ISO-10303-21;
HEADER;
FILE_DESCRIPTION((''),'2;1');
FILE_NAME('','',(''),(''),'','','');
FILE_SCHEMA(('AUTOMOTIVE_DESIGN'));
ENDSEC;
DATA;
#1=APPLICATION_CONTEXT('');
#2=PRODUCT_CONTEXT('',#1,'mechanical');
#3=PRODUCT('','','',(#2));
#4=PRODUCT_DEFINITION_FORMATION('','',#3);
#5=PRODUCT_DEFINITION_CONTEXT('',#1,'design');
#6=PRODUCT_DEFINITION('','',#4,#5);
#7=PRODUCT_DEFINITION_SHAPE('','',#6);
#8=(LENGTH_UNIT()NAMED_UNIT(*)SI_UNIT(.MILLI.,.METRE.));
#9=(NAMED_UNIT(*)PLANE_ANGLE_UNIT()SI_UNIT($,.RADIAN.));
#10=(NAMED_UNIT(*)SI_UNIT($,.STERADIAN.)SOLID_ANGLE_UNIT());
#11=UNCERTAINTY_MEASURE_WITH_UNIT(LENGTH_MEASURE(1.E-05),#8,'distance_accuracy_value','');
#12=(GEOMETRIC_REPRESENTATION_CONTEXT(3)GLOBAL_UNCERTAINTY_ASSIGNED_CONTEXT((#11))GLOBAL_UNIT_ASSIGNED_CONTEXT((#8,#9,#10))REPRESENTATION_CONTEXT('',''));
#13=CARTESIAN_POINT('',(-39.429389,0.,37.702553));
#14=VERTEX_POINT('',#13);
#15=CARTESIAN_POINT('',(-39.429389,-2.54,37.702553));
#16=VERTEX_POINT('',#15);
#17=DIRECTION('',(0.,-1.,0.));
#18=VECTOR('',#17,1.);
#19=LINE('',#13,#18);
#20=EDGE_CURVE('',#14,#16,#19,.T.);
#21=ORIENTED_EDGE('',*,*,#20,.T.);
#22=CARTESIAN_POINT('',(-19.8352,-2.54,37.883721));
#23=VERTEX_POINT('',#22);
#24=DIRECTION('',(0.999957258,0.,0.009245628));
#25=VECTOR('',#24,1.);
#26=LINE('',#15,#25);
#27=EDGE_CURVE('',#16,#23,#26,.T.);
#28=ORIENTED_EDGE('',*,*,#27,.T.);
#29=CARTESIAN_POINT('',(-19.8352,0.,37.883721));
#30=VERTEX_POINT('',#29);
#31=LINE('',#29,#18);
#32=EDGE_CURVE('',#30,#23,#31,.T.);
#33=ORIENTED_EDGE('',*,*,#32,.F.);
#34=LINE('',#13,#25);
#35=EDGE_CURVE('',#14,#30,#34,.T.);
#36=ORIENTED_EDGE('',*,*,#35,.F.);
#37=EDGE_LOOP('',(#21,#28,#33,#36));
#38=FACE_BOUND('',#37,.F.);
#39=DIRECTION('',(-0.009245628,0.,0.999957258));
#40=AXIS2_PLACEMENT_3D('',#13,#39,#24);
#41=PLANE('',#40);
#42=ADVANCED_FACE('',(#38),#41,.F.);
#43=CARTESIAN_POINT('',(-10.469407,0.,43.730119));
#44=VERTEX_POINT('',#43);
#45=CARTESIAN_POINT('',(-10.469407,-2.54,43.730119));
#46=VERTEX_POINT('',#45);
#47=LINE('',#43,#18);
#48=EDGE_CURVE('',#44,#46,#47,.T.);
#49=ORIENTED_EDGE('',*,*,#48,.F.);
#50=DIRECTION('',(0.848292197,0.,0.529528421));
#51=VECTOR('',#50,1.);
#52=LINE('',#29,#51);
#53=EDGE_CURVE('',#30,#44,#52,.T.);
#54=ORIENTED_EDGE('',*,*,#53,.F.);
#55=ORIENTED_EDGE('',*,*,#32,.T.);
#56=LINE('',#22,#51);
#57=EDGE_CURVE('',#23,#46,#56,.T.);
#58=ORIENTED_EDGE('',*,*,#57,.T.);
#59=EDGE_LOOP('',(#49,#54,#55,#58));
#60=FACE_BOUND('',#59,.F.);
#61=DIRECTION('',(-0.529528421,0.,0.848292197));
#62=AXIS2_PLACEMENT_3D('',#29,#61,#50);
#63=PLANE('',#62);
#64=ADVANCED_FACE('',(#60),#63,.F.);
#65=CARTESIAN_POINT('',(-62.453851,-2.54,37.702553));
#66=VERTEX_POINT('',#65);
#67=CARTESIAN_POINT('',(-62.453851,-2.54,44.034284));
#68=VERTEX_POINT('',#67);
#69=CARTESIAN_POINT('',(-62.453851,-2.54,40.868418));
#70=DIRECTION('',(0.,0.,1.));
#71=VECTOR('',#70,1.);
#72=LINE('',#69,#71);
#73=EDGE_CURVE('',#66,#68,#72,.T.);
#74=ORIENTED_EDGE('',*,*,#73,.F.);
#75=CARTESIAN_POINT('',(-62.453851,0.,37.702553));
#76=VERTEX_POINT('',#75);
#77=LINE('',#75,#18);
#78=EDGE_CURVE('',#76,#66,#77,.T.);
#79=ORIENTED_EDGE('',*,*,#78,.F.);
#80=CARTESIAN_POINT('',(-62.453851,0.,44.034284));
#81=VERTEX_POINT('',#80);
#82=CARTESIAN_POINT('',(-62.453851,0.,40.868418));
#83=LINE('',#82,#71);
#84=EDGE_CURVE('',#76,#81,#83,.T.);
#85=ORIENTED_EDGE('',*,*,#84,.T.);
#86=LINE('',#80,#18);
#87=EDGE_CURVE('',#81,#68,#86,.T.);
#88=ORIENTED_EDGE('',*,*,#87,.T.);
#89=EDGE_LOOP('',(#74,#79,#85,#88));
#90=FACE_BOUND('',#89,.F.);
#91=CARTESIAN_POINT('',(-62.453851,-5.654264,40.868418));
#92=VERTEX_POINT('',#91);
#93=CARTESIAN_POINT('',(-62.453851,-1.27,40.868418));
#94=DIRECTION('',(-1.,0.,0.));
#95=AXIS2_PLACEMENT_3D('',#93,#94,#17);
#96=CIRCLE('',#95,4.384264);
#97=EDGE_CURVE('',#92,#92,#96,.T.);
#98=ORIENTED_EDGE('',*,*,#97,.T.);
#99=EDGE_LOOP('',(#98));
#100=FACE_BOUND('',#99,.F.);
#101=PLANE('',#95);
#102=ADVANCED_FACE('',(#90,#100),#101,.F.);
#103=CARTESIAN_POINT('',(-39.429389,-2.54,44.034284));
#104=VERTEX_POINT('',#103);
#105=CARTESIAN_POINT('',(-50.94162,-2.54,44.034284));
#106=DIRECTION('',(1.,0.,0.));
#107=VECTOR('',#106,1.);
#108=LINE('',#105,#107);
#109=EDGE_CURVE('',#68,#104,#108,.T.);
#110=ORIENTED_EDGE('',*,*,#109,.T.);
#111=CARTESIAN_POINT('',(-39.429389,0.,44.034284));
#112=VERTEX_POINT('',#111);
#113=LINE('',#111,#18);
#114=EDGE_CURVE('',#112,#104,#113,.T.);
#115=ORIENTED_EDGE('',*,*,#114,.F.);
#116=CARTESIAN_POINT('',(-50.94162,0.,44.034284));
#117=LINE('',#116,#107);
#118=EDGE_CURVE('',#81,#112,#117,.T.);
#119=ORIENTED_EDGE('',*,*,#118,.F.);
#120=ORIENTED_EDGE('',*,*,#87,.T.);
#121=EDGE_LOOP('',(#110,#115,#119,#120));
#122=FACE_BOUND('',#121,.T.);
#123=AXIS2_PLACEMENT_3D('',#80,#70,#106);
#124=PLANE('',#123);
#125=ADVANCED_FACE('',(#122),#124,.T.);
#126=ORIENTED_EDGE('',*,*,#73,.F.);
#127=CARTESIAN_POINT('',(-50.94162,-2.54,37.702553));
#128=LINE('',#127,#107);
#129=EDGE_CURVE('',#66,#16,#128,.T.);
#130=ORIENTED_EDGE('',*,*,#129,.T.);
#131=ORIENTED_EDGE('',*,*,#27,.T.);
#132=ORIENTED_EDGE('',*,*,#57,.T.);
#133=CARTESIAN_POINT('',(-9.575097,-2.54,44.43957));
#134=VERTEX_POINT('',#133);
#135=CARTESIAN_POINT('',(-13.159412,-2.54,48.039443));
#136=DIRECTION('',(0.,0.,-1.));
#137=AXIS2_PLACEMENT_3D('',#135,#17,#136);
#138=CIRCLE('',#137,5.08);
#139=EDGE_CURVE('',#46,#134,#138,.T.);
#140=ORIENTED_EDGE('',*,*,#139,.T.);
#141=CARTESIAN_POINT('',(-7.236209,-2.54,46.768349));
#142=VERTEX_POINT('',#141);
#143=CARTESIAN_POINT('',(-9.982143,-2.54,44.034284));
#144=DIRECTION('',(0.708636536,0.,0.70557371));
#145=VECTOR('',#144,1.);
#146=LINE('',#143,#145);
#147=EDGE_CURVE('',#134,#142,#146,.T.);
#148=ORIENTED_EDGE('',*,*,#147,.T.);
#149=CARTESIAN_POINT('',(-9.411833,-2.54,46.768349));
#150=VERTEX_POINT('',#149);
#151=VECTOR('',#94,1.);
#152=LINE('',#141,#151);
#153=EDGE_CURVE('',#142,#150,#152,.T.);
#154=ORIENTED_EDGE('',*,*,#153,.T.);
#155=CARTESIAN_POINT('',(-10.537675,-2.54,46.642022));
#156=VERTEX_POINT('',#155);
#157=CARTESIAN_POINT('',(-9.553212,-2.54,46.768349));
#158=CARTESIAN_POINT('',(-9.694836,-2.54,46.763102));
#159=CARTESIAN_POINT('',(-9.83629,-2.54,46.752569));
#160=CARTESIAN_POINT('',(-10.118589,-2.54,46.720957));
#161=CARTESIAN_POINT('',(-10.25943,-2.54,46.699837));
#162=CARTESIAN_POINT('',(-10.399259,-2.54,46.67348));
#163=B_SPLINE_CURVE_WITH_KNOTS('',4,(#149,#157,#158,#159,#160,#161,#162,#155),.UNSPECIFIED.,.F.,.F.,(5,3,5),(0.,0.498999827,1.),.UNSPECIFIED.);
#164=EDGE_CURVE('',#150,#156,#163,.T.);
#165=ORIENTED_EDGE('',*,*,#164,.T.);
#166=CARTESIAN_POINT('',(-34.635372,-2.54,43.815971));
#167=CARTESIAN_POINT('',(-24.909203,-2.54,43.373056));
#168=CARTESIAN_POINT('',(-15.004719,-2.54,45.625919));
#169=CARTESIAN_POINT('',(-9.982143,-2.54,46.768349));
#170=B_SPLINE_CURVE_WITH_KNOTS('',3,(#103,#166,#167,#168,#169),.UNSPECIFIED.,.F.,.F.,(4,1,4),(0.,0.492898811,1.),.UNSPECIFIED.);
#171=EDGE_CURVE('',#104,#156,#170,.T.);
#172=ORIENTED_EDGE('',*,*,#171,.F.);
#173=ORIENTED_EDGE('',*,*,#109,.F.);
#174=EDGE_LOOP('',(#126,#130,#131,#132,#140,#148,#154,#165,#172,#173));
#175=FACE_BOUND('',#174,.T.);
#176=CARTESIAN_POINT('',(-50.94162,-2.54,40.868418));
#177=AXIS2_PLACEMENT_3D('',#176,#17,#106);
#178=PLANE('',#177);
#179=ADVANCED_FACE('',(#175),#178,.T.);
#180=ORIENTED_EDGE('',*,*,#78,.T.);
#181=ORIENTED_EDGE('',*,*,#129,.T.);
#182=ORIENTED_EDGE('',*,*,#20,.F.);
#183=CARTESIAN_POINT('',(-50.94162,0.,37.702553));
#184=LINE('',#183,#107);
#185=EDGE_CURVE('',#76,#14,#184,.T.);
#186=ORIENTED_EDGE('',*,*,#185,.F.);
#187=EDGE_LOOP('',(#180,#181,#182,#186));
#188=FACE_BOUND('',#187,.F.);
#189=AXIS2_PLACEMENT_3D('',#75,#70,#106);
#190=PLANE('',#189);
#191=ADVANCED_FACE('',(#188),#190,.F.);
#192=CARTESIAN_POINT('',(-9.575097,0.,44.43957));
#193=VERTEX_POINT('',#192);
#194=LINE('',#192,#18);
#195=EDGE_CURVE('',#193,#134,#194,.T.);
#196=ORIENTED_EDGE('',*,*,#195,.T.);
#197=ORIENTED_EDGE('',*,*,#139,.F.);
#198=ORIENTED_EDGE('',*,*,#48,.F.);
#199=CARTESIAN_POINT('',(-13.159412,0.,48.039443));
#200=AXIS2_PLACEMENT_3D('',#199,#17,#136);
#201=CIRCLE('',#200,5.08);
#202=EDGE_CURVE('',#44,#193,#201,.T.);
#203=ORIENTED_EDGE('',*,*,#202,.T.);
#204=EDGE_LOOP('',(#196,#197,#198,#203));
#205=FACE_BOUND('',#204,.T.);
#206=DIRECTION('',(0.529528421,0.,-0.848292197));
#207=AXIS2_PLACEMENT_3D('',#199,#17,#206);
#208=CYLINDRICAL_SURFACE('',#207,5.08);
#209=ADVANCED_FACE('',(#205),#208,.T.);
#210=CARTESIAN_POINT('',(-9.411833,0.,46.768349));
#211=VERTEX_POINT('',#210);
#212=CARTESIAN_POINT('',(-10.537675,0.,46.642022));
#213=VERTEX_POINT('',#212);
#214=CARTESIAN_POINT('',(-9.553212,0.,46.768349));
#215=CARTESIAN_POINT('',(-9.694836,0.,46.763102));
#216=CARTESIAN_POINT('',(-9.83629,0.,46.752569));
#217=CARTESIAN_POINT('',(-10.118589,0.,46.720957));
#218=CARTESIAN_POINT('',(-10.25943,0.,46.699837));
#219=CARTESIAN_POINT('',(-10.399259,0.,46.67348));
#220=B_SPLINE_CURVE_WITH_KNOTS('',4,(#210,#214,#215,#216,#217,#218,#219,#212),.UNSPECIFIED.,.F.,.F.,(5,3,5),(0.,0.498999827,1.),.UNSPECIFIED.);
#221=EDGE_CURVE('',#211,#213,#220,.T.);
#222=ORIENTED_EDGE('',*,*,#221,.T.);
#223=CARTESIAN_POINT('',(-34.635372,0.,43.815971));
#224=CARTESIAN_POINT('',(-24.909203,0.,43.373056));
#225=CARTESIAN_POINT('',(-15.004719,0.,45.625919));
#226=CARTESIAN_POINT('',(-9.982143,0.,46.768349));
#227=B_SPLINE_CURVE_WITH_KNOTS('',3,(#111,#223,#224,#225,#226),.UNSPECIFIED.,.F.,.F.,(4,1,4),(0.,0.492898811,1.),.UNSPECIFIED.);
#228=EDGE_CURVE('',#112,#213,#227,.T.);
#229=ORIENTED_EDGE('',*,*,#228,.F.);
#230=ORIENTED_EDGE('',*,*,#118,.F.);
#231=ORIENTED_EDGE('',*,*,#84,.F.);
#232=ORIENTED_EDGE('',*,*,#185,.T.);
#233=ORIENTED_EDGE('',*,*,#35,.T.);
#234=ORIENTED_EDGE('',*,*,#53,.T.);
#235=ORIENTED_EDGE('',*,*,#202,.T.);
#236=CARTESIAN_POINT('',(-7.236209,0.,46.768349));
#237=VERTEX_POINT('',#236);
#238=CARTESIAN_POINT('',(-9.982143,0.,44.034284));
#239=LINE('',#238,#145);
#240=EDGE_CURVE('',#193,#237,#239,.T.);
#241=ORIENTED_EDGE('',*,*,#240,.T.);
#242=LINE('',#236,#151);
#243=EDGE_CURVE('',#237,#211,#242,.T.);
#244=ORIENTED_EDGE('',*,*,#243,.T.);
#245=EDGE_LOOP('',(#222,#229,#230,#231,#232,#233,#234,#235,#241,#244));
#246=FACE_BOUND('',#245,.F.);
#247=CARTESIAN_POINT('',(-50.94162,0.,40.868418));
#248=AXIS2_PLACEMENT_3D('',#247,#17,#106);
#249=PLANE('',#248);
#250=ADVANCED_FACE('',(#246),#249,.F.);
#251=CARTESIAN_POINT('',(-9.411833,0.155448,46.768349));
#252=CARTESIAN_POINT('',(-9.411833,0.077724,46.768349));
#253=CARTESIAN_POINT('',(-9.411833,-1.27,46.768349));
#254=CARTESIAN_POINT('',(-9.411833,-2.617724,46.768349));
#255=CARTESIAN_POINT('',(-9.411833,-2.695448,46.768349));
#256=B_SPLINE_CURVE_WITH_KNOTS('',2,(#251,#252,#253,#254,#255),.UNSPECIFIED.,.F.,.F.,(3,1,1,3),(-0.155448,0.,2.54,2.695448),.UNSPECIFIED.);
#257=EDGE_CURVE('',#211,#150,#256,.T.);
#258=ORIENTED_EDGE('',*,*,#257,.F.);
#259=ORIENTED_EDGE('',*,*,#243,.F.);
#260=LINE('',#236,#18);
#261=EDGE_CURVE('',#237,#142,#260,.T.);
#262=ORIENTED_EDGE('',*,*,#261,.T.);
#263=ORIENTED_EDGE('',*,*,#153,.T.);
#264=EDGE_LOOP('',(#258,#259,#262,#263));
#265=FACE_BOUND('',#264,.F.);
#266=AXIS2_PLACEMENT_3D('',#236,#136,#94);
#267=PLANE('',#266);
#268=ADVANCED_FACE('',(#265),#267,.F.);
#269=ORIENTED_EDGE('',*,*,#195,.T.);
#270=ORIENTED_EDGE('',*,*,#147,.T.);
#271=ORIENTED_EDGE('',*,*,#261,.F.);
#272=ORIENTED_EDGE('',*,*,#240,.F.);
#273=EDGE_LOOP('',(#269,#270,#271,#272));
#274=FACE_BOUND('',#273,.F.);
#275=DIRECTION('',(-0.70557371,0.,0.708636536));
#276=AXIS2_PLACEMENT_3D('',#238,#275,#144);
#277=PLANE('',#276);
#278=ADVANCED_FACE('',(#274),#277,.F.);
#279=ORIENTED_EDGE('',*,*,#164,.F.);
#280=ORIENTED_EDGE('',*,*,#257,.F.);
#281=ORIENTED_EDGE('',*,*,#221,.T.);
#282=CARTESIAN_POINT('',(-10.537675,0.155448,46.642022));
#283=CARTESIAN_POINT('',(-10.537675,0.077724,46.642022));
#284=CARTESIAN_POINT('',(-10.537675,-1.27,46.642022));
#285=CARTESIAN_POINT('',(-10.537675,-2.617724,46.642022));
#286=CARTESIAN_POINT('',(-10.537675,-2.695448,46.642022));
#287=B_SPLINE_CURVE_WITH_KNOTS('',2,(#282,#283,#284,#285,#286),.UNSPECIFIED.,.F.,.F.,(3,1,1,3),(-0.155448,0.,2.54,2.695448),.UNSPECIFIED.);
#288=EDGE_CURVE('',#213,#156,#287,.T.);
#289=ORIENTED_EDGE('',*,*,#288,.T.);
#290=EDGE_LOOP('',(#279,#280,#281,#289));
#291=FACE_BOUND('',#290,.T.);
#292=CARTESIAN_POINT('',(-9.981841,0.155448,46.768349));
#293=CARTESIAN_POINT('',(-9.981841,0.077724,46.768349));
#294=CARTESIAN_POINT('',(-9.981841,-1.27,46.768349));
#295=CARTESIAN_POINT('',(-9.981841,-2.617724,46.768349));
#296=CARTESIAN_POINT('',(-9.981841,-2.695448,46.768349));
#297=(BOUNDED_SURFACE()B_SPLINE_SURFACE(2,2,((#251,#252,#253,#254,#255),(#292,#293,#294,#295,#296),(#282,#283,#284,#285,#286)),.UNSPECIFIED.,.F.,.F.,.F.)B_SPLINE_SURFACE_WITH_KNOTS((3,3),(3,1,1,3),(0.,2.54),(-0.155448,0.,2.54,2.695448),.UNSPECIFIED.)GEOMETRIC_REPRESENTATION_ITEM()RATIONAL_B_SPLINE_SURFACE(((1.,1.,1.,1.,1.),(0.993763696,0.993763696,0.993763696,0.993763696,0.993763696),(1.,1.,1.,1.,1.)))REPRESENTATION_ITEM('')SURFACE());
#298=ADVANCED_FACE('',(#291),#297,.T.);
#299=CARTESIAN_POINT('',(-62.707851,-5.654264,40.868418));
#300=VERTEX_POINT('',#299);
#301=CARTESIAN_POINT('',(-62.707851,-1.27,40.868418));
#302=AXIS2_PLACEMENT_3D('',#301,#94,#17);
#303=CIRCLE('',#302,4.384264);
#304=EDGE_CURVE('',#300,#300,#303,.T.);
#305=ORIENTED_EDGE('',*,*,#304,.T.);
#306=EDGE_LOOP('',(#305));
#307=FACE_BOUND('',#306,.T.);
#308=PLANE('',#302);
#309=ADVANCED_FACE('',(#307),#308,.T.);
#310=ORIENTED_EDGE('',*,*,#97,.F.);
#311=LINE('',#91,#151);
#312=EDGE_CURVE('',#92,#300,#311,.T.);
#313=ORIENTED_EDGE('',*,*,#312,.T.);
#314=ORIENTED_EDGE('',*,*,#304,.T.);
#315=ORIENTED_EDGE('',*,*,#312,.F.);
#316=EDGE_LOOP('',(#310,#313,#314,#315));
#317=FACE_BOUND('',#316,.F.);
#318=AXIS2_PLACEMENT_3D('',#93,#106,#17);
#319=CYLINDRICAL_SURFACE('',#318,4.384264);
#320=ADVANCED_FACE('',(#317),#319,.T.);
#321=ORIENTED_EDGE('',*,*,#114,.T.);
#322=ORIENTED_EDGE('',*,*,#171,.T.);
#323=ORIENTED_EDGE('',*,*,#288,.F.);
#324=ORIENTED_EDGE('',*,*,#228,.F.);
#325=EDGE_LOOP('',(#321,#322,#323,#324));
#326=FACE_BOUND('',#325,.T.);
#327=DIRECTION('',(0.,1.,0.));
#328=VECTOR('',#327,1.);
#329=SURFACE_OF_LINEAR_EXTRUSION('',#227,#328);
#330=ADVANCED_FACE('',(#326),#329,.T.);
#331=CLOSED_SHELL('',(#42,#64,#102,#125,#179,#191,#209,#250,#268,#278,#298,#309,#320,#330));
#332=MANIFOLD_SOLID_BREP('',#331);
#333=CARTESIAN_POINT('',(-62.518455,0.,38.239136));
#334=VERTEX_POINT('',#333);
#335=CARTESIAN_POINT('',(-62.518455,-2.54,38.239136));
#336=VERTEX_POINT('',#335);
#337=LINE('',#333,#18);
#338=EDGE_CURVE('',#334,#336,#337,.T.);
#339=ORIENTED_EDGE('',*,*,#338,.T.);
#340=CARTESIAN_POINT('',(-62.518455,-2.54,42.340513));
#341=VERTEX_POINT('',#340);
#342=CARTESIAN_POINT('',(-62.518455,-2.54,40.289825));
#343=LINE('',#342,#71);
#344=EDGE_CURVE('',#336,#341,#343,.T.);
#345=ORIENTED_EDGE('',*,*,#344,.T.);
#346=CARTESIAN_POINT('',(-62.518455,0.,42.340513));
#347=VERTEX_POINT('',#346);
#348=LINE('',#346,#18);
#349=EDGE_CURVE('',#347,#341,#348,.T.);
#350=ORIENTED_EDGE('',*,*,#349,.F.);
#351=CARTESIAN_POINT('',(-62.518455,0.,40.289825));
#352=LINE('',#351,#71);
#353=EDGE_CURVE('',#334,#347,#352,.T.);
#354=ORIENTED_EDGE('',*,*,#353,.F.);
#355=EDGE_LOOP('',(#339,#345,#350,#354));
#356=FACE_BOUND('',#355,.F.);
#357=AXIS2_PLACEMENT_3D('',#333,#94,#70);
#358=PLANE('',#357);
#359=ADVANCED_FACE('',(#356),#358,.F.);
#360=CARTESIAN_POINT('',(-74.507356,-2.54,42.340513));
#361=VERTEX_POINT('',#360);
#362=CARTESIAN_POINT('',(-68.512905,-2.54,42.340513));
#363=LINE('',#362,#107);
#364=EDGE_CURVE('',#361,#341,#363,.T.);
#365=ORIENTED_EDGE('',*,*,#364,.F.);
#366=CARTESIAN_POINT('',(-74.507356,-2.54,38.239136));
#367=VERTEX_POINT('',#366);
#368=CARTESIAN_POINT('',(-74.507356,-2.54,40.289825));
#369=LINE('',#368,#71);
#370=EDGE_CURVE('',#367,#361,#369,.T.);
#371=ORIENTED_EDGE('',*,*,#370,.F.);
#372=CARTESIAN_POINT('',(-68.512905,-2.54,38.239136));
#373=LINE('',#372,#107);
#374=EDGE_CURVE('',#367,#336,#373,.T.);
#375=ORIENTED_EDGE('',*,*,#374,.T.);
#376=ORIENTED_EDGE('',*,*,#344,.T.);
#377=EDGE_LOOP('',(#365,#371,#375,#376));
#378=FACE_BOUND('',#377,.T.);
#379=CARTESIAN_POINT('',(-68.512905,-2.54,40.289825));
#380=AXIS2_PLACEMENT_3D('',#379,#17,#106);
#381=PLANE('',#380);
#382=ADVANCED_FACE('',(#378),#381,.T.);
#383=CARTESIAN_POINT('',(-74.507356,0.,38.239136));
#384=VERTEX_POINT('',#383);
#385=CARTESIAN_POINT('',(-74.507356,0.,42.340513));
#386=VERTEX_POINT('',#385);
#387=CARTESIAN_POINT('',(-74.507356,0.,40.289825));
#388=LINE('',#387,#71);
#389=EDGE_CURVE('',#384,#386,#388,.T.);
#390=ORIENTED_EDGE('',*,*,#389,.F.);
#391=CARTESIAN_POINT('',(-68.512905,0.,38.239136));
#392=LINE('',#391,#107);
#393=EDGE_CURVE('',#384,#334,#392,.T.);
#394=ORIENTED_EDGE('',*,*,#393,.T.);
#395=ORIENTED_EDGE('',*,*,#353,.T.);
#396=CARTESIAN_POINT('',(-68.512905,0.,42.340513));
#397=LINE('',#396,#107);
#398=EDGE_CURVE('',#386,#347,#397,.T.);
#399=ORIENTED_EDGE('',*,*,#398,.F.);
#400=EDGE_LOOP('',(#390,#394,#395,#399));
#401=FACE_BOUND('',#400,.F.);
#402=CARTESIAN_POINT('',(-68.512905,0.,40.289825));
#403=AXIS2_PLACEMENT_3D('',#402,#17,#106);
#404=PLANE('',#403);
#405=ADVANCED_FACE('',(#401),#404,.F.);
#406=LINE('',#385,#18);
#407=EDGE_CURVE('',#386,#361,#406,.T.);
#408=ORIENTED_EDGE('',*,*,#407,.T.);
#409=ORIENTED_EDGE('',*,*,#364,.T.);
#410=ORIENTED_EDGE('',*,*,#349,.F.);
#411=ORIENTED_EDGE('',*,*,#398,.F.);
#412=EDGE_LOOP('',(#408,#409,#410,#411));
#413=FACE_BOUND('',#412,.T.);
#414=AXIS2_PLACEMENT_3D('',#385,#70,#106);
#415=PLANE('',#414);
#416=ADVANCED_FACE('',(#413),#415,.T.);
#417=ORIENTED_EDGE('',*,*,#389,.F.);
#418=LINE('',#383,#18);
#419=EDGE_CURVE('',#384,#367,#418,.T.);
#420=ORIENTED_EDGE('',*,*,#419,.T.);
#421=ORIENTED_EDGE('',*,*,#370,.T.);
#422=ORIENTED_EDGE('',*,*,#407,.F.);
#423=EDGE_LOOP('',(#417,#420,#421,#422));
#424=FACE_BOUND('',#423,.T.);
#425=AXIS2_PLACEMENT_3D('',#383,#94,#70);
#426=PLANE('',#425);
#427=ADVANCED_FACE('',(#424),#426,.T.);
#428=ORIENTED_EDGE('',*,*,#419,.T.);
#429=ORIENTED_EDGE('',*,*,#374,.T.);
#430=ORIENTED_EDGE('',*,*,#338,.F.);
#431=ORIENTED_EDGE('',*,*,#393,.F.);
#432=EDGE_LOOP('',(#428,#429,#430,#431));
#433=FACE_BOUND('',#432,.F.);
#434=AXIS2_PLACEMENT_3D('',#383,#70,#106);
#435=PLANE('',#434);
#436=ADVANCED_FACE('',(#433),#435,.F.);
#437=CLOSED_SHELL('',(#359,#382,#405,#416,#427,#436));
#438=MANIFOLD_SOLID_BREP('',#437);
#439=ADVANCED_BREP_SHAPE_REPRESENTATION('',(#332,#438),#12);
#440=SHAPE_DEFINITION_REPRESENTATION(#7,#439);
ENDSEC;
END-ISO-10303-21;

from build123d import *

# Parameters (mm, degrees)
F0_W     = 23.0244621634
F0_H     = 6.331730634
F1_DEPTH = 2.54
F2_R     = 4.3842644701
F3_DEPTH = 0.254
F4_W     = 11.9889006019
F4_H     = 4.1013769805
F5_DEPTH = 2.54
F6_R     = 5.08
F7_R     = 5.08


with BuildPart() as f1:
    # F0 (on Front) → F1 (new body)
    with BuildSketch(Plane.XZ):
        with Locations((-50.9416200221, 40.8684182912)):
            Rectangle(F0_W, F0_H)
        with BuildLine():
            add(Edge.make_bspline(
                [(-39.4293889403, 44.0342836082), (-34.6353719511, 43.8159711563), (-24.9092032572, 43.3730558018), (-15.0047185596, 45.6259190389), (-9.9821425974, 46.768348664)],
                knots=[0, 0, 0, 0, 0.4928988114, 1, 1, 1, 1], degree=3))
            Line((-39.4293889403, 44.0342836082), (-39.4293889403, 37.7025529742))
            Line((-39.4293889403, 37.7025529742), (-19.8352001607, 37.883721292))
            Line((-19.8352001607, 37.883721292), (-9.9821425974, 44.0342836082))
            Line((-9.9821425974, 44.0342836082), (-7.2362092324, 46.768348664))
            Line((-7.2362092324, 46.768348664), (-9.9821425974, 46.768348664))
        make_face()
    extrude(amount=F1_DEPTH)

    # F2 (on face) → F3 (join)
    with BuildSketch(Plane(origin=(-62.4538511038, 0, 0), x_dir=(0, -1, 0), z_dir=(-1, 0, 0))):
        with Locations((1.27, 40.8684182912)):
            Circle(F2_R)
    extrude(amount=F3_DEPTH)

    # F6
    f6_edges = [f1.edges().sort_by_distance(p)[0] for p in [
        (-9.982143, -1.27, 44.034284),
    ]]
    fillet(f6_edges, radius=F6_R)

    # F7
    f7_edges = [f1.edges().sort_by_distance(p)[0] for p in [
        (-9.982143, -1.27, 46.768349),
    ]]
    fillet(f7_edges, radius=F7_R)


with BuildPart() as f5:
    # F4 (on Front) → F5 (new body)
    with BuildSketch(Plane.XZ):
        with Locations((-68.5129053891, 40.2898248285)):
            Rectangle(F4_W, F4_H)
    extrude(amount=F5_DEPTH)


solid = Compound([f1.part, f5.part])
